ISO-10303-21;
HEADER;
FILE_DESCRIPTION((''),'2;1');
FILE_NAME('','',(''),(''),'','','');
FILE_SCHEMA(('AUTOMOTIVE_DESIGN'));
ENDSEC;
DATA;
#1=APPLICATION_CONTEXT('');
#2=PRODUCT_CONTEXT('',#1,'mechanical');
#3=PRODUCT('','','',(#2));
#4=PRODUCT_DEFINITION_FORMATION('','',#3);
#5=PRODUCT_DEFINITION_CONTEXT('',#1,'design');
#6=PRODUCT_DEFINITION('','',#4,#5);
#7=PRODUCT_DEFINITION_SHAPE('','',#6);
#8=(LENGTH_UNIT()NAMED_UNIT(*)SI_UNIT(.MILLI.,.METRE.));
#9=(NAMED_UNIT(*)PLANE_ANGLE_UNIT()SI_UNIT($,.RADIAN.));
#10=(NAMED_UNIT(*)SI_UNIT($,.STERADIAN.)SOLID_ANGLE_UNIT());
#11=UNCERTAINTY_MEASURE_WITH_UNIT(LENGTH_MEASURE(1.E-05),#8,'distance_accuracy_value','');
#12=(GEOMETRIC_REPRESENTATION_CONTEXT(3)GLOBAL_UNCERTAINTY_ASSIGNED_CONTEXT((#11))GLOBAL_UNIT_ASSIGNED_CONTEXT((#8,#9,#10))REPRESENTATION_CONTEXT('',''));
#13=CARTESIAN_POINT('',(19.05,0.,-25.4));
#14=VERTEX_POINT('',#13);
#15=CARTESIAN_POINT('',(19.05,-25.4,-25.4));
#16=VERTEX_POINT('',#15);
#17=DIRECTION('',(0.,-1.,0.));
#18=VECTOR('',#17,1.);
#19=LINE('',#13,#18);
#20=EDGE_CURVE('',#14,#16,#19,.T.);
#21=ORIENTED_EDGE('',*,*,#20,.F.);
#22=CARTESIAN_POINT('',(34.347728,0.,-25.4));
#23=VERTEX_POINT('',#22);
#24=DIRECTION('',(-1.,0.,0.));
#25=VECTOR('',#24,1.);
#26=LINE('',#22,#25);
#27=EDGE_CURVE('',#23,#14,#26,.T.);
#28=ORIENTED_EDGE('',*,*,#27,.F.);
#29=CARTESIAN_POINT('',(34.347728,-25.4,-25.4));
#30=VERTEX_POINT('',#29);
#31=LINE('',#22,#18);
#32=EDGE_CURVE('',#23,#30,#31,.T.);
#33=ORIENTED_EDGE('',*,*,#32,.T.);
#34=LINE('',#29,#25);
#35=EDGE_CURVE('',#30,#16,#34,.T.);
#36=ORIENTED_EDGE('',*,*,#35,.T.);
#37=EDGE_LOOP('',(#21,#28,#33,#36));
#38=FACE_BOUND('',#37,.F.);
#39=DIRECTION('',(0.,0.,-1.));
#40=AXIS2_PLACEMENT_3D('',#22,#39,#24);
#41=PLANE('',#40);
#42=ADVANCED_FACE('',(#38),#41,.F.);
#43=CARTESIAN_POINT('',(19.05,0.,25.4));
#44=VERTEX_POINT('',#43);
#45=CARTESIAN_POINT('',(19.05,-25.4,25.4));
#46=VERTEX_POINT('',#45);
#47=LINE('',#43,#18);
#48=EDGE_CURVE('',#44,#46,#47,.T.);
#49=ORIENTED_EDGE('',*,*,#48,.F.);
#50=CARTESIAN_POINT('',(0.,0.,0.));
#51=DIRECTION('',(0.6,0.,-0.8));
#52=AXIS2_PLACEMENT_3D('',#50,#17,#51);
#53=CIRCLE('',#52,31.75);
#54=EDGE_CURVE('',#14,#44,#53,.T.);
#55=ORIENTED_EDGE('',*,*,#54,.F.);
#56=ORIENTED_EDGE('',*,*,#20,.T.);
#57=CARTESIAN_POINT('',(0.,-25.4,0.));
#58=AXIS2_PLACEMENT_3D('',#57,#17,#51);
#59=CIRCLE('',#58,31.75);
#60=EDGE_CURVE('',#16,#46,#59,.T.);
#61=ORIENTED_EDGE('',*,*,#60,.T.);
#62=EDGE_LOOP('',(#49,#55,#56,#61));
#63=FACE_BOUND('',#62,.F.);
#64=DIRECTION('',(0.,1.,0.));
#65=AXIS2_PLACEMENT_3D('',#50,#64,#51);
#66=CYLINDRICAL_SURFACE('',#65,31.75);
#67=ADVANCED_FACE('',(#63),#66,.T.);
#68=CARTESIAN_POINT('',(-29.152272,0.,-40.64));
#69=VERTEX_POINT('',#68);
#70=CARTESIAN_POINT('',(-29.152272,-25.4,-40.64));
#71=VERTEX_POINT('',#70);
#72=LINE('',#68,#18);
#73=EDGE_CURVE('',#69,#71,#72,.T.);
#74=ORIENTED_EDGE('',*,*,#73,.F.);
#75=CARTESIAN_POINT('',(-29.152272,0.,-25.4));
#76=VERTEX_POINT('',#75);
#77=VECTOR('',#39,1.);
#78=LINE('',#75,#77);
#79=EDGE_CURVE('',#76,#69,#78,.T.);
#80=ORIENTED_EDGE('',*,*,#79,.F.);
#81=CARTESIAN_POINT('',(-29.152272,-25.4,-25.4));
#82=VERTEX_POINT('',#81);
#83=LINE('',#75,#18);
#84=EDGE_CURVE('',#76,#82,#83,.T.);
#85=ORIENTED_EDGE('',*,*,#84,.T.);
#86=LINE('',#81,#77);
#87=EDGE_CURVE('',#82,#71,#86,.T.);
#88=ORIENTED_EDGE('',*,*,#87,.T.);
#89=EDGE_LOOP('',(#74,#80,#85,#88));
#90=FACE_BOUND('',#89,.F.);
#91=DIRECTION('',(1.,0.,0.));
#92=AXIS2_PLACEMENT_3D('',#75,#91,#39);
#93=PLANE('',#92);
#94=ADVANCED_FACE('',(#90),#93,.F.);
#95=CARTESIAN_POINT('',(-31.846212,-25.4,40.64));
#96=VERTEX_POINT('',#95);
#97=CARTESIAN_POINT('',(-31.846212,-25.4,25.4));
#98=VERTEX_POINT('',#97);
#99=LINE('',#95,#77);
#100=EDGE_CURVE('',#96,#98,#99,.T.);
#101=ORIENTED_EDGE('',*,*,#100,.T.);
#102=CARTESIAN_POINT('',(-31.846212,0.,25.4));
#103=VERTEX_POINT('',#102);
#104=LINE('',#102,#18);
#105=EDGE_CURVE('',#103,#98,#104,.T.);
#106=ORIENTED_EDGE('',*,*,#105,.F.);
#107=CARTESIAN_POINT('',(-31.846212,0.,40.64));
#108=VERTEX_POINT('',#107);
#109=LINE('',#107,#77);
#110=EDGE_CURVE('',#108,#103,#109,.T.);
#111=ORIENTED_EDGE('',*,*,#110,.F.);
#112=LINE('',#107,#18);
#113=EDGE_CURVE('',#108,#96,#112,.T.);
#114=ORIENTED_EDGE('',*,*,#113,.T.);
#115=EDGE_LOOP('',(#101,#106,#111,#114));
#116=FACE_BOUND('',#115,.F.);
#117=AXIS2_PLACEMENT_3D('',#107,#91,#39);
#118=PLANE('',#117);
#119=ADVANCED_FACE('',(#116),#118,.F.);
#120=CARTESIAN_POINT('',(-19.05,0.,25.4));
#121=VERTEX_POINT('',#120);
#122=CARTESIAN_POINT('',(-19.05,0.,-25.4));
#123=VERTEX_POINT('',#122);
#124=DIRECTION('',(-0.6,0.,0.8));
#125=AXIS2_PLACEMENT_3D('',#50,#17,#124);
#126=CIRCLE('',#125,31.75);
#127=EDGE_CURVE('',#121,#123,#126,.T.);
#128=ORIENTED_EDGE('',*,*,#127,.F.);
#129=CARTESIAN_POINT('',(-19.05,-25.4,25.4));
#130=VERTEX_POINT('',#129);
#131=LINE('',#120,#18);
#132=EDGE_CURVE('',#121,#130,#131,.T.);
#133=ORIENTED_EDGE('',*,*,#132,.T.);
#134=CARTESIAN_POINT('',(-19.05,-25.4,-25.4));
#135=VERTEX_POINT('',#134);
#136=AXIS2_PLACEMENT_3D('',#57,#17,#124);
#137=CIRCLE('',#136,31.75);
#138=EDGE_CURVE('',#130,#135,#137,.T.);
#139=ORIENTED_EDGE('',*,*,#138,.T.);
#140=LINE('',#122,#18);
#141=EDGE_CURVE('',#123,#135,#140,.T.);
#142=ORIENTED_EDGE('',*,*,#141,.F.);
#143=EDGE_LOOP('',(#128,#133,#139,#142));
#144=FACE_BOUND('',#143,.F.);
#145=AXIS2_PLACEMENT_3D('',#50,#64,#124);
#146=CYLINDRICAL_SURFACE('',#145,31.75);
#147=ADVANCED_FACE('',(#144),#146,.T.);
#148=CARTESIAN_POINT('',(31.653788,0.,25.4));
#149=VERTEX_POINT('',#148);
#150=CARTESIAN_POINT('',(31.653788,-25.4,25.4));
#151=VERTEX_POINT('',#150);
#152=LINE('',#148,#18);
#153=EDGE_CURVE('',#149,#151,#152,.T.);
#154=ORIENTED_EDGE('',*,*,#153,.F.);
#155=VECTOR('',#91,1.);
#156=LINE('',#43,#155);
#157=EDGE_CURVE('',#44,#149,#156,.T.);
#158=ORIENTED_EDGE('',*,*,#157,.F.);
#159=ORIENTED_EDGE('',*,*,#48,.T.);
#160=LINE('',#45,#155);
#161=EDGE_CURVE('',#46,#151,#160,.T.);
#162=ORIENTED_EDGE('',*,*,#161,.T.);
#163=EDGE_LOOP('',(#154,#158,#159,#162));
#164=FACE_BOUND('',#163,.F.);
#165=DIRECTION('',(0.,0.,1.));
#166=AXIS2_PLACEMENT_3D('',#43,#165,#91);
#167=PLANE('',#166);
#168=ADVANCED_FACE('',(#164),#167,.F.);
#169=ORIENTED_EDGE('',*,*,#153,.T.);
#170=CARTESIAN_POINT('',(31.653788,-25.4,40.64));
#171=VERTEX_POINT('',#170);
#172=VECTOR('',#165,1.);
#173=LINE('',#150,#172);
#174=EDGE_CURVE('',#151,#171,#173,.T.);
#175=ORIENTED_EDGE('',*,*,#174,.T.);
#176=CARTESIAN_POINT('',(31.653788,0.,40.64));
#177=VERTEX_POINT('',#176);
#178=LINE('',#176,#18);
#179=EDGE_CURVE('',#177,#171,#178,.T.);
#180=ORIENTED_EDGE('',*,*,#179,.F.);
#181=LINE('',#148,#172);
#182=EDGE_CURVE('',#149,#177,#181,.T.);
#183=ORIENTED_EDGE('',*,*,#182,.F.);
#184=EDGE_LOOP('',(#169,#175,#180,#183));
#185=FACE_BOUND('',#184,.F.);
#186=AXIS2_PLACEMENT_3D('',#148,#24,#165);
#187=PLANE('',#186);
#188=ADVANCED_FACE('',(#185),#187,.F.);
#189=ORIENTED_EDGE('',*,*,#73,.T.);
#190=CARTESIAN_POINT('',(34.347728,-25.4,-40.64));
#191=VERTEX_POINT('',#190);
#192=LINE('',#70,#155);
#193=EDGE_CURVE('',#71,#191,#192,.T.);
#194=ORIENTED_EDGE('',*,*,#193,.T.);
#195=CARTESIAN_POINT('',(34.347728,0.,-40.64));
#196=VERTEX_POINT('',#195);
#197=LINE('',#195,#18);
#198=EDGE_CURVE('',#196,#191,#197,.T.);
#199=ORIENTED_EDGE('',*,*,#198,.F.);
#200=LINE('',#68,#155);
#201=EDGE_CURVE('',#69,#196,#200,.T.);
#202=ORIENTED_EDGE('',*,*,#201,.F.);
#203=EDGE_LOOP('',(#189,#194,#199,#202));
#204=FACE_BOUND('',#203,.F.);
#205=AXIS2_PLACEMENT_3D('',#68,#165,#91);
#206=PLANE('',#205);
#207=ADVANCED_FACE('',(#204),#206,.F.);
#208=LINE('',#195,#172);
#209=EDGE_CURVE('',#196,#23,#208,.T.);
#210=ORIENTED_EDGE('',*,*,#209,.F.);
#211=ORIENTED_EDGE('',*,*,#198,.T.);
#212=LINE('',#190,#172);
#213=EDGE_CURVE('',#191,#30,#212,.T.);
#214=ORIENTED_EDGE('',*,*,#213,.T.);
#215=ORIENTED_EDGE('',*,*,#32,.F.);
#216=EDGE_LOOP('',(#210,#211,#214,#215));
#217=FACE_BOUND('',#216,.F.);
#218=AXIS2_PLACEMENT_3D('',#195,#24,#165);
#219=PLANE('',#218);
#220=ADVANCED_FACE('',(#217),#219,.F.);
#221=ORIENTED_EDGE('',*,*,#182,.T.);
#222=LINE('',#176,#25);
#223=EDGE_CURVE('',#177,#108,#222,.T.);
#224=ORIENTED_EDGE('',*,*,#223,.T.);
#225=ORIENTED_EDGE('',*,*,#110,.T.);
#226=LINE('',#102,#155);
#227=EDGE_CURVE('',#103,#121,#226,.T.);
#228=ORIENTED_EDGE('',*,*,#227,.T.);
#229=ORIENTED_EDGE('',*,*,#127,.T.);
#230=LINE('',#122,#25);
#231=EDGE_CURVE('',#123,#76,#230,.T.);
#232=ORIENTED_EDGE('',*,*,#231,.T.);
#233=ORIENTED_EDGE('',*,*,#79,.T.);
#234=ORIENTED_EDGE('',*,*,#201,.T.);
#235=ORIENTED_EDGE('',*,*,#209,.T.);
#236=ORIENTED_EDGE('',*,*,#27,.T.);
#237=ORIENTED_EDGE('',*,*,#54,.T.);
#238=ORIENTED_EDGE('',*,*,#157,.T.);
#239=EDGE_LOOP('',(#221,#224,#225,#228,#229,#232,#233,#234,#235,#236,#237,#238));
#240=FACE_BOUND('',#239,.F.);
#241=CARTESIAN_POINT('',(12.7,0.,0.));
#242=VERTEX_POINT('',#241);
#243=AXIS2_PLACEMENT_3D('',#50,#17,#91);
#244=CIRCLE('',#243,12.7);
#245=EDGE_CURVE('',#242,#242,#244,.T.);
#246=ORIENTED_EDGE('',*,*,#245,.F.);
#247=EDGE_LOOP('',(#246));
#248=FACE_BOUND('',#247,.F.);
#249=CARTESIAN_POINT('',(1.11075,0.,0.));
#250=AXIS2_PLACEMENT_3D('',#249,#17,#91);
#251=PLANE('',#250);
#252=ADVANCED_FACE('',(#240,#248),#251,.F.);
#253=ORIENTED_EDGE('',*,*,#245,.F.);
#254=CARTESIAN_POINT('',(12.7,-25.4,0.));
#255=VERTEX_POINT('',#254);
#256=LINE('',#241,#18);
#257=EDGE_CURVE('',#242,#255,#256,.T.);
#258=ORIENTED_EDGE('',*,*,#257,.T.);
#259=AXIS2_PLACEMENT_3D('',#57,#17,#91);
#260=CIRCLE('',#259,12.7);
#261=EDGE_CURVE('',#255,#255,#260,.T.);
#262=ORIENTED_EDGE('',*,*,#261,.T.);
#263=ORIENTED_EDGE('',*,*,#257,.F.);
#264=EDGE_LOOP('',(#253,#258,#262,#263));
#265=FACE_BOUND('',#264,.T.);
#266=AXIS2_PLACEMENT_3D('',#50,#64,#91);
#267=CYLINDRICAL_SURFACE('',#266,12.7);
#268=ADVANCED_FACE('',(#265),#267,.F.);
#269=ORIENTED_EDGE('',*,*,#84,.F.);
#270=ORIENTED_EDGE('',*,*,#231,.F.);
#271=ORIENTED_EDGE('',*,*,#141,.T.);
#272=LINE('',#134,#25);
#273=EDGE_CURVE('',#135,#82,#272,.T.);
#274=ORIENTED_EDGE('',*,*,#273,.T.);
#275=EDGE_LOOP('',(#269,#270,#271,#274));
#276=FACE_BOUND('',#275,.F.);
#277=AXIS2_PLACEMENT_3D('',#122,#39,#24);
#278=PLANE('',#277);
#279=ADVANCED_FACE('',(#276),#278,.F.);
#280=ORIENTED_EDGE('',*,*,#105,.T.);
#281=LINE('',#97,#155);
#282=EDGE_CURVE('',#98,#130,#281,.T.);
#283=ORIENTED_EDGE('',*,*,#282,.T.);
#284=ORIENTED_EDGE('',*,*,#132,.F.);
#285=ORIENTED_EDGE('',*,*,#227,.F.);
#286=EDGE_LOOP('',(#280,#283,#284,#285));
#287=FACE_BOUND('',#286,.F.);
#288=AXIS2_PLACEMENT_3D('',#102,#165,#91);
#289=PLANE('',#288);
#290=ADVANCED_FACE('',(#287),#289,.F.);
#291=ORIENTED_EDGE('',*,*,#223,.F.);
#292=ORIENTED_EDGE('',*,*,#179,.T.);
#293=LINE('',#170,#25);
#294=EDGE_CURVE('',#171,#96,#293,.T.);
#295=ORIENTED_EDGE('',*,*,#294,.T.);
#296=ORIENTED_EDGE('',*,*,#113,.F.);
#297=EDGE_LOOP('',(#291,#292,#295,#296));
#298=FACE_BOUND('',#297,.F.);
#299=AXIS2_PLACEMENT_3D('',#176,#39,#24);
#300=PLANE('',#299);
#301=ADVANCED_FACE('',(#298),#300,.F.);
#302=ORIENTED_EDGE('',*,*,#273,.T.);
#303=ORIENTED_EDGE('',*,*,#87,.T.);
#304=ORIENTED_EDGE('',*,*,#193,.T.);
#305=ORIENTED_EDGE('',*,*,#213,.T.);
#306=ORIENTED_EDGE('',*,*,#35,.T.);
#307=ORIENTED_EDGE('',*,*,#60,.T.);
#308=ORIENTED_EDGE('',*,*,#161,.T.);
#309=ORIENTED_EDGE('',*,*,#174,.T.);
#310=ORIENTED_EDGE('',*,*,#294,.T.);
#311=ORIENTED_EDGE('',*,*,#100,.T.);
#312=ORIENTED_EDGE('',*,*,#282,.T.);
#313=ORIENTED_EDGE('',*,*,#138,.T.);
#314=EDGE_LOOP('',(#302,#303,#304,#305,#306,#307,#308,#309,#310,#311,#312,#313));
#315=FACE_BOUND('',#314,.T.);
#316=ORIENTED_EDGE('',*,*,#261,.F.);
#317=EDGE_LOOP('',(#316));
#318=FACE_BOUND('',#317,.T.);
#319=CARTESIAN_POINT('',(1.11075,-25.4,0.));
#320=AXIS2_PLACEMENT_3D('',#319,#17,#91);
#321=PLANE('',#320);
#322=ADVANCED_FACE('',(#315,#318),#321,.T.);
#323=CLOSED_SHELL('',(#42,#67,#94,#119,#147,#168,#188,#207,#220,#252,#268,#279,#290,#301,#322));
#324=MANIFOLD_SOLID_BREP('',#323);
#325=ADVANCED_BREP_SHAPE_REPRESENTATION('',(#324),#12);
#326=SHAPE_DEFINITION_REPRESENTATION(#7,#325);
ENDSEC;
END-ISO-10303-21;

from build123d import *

# Parameters (mm, degrees)
F0_R     = 12.7
F1_DEPTH = 25.4


with BuildPart() as f1:
    # F0 (on Front) → F1 (new body)
    with BuildSketch(Plane.XZ):
        with BuildLine():
            Line((-31.846212, 25.4), (-19.05, 25.4))
            ThreePointArc((-19.05, 25.4), (-31.75, 0), (-19.05, -25.4))
            Line((-19.05, -25.4), (-29.152272, -25.4))
            Line((-29.152272, -25.4), (-29.152272, -40.64))
            Line((-29.152272, -40.64), (34.347728, -40.64))
            Line((34.347728, -40.64), (34.347728, -25.4))
            Line((34.347728, -25.4), (19.05, -25.4))
            ThreePointArc((19.05, -25.4), (31.75, 0), (19.05, 25.4))
            Line((19.05, 25.4), (31.653788, 25.4))
            Line((31.653788, 25.4), (31.653788, 40.64))
            Line((31.653788, 40.64), (-31.846212, 40.64))
            Line((-31.846212, 40.64), (-31.846212, 25.4))
        make_face()
        Circle(F0_R, mode=Mode.SUBTRACT)
    extrude(amount=F1_DEPTH)


solid = f1.part
